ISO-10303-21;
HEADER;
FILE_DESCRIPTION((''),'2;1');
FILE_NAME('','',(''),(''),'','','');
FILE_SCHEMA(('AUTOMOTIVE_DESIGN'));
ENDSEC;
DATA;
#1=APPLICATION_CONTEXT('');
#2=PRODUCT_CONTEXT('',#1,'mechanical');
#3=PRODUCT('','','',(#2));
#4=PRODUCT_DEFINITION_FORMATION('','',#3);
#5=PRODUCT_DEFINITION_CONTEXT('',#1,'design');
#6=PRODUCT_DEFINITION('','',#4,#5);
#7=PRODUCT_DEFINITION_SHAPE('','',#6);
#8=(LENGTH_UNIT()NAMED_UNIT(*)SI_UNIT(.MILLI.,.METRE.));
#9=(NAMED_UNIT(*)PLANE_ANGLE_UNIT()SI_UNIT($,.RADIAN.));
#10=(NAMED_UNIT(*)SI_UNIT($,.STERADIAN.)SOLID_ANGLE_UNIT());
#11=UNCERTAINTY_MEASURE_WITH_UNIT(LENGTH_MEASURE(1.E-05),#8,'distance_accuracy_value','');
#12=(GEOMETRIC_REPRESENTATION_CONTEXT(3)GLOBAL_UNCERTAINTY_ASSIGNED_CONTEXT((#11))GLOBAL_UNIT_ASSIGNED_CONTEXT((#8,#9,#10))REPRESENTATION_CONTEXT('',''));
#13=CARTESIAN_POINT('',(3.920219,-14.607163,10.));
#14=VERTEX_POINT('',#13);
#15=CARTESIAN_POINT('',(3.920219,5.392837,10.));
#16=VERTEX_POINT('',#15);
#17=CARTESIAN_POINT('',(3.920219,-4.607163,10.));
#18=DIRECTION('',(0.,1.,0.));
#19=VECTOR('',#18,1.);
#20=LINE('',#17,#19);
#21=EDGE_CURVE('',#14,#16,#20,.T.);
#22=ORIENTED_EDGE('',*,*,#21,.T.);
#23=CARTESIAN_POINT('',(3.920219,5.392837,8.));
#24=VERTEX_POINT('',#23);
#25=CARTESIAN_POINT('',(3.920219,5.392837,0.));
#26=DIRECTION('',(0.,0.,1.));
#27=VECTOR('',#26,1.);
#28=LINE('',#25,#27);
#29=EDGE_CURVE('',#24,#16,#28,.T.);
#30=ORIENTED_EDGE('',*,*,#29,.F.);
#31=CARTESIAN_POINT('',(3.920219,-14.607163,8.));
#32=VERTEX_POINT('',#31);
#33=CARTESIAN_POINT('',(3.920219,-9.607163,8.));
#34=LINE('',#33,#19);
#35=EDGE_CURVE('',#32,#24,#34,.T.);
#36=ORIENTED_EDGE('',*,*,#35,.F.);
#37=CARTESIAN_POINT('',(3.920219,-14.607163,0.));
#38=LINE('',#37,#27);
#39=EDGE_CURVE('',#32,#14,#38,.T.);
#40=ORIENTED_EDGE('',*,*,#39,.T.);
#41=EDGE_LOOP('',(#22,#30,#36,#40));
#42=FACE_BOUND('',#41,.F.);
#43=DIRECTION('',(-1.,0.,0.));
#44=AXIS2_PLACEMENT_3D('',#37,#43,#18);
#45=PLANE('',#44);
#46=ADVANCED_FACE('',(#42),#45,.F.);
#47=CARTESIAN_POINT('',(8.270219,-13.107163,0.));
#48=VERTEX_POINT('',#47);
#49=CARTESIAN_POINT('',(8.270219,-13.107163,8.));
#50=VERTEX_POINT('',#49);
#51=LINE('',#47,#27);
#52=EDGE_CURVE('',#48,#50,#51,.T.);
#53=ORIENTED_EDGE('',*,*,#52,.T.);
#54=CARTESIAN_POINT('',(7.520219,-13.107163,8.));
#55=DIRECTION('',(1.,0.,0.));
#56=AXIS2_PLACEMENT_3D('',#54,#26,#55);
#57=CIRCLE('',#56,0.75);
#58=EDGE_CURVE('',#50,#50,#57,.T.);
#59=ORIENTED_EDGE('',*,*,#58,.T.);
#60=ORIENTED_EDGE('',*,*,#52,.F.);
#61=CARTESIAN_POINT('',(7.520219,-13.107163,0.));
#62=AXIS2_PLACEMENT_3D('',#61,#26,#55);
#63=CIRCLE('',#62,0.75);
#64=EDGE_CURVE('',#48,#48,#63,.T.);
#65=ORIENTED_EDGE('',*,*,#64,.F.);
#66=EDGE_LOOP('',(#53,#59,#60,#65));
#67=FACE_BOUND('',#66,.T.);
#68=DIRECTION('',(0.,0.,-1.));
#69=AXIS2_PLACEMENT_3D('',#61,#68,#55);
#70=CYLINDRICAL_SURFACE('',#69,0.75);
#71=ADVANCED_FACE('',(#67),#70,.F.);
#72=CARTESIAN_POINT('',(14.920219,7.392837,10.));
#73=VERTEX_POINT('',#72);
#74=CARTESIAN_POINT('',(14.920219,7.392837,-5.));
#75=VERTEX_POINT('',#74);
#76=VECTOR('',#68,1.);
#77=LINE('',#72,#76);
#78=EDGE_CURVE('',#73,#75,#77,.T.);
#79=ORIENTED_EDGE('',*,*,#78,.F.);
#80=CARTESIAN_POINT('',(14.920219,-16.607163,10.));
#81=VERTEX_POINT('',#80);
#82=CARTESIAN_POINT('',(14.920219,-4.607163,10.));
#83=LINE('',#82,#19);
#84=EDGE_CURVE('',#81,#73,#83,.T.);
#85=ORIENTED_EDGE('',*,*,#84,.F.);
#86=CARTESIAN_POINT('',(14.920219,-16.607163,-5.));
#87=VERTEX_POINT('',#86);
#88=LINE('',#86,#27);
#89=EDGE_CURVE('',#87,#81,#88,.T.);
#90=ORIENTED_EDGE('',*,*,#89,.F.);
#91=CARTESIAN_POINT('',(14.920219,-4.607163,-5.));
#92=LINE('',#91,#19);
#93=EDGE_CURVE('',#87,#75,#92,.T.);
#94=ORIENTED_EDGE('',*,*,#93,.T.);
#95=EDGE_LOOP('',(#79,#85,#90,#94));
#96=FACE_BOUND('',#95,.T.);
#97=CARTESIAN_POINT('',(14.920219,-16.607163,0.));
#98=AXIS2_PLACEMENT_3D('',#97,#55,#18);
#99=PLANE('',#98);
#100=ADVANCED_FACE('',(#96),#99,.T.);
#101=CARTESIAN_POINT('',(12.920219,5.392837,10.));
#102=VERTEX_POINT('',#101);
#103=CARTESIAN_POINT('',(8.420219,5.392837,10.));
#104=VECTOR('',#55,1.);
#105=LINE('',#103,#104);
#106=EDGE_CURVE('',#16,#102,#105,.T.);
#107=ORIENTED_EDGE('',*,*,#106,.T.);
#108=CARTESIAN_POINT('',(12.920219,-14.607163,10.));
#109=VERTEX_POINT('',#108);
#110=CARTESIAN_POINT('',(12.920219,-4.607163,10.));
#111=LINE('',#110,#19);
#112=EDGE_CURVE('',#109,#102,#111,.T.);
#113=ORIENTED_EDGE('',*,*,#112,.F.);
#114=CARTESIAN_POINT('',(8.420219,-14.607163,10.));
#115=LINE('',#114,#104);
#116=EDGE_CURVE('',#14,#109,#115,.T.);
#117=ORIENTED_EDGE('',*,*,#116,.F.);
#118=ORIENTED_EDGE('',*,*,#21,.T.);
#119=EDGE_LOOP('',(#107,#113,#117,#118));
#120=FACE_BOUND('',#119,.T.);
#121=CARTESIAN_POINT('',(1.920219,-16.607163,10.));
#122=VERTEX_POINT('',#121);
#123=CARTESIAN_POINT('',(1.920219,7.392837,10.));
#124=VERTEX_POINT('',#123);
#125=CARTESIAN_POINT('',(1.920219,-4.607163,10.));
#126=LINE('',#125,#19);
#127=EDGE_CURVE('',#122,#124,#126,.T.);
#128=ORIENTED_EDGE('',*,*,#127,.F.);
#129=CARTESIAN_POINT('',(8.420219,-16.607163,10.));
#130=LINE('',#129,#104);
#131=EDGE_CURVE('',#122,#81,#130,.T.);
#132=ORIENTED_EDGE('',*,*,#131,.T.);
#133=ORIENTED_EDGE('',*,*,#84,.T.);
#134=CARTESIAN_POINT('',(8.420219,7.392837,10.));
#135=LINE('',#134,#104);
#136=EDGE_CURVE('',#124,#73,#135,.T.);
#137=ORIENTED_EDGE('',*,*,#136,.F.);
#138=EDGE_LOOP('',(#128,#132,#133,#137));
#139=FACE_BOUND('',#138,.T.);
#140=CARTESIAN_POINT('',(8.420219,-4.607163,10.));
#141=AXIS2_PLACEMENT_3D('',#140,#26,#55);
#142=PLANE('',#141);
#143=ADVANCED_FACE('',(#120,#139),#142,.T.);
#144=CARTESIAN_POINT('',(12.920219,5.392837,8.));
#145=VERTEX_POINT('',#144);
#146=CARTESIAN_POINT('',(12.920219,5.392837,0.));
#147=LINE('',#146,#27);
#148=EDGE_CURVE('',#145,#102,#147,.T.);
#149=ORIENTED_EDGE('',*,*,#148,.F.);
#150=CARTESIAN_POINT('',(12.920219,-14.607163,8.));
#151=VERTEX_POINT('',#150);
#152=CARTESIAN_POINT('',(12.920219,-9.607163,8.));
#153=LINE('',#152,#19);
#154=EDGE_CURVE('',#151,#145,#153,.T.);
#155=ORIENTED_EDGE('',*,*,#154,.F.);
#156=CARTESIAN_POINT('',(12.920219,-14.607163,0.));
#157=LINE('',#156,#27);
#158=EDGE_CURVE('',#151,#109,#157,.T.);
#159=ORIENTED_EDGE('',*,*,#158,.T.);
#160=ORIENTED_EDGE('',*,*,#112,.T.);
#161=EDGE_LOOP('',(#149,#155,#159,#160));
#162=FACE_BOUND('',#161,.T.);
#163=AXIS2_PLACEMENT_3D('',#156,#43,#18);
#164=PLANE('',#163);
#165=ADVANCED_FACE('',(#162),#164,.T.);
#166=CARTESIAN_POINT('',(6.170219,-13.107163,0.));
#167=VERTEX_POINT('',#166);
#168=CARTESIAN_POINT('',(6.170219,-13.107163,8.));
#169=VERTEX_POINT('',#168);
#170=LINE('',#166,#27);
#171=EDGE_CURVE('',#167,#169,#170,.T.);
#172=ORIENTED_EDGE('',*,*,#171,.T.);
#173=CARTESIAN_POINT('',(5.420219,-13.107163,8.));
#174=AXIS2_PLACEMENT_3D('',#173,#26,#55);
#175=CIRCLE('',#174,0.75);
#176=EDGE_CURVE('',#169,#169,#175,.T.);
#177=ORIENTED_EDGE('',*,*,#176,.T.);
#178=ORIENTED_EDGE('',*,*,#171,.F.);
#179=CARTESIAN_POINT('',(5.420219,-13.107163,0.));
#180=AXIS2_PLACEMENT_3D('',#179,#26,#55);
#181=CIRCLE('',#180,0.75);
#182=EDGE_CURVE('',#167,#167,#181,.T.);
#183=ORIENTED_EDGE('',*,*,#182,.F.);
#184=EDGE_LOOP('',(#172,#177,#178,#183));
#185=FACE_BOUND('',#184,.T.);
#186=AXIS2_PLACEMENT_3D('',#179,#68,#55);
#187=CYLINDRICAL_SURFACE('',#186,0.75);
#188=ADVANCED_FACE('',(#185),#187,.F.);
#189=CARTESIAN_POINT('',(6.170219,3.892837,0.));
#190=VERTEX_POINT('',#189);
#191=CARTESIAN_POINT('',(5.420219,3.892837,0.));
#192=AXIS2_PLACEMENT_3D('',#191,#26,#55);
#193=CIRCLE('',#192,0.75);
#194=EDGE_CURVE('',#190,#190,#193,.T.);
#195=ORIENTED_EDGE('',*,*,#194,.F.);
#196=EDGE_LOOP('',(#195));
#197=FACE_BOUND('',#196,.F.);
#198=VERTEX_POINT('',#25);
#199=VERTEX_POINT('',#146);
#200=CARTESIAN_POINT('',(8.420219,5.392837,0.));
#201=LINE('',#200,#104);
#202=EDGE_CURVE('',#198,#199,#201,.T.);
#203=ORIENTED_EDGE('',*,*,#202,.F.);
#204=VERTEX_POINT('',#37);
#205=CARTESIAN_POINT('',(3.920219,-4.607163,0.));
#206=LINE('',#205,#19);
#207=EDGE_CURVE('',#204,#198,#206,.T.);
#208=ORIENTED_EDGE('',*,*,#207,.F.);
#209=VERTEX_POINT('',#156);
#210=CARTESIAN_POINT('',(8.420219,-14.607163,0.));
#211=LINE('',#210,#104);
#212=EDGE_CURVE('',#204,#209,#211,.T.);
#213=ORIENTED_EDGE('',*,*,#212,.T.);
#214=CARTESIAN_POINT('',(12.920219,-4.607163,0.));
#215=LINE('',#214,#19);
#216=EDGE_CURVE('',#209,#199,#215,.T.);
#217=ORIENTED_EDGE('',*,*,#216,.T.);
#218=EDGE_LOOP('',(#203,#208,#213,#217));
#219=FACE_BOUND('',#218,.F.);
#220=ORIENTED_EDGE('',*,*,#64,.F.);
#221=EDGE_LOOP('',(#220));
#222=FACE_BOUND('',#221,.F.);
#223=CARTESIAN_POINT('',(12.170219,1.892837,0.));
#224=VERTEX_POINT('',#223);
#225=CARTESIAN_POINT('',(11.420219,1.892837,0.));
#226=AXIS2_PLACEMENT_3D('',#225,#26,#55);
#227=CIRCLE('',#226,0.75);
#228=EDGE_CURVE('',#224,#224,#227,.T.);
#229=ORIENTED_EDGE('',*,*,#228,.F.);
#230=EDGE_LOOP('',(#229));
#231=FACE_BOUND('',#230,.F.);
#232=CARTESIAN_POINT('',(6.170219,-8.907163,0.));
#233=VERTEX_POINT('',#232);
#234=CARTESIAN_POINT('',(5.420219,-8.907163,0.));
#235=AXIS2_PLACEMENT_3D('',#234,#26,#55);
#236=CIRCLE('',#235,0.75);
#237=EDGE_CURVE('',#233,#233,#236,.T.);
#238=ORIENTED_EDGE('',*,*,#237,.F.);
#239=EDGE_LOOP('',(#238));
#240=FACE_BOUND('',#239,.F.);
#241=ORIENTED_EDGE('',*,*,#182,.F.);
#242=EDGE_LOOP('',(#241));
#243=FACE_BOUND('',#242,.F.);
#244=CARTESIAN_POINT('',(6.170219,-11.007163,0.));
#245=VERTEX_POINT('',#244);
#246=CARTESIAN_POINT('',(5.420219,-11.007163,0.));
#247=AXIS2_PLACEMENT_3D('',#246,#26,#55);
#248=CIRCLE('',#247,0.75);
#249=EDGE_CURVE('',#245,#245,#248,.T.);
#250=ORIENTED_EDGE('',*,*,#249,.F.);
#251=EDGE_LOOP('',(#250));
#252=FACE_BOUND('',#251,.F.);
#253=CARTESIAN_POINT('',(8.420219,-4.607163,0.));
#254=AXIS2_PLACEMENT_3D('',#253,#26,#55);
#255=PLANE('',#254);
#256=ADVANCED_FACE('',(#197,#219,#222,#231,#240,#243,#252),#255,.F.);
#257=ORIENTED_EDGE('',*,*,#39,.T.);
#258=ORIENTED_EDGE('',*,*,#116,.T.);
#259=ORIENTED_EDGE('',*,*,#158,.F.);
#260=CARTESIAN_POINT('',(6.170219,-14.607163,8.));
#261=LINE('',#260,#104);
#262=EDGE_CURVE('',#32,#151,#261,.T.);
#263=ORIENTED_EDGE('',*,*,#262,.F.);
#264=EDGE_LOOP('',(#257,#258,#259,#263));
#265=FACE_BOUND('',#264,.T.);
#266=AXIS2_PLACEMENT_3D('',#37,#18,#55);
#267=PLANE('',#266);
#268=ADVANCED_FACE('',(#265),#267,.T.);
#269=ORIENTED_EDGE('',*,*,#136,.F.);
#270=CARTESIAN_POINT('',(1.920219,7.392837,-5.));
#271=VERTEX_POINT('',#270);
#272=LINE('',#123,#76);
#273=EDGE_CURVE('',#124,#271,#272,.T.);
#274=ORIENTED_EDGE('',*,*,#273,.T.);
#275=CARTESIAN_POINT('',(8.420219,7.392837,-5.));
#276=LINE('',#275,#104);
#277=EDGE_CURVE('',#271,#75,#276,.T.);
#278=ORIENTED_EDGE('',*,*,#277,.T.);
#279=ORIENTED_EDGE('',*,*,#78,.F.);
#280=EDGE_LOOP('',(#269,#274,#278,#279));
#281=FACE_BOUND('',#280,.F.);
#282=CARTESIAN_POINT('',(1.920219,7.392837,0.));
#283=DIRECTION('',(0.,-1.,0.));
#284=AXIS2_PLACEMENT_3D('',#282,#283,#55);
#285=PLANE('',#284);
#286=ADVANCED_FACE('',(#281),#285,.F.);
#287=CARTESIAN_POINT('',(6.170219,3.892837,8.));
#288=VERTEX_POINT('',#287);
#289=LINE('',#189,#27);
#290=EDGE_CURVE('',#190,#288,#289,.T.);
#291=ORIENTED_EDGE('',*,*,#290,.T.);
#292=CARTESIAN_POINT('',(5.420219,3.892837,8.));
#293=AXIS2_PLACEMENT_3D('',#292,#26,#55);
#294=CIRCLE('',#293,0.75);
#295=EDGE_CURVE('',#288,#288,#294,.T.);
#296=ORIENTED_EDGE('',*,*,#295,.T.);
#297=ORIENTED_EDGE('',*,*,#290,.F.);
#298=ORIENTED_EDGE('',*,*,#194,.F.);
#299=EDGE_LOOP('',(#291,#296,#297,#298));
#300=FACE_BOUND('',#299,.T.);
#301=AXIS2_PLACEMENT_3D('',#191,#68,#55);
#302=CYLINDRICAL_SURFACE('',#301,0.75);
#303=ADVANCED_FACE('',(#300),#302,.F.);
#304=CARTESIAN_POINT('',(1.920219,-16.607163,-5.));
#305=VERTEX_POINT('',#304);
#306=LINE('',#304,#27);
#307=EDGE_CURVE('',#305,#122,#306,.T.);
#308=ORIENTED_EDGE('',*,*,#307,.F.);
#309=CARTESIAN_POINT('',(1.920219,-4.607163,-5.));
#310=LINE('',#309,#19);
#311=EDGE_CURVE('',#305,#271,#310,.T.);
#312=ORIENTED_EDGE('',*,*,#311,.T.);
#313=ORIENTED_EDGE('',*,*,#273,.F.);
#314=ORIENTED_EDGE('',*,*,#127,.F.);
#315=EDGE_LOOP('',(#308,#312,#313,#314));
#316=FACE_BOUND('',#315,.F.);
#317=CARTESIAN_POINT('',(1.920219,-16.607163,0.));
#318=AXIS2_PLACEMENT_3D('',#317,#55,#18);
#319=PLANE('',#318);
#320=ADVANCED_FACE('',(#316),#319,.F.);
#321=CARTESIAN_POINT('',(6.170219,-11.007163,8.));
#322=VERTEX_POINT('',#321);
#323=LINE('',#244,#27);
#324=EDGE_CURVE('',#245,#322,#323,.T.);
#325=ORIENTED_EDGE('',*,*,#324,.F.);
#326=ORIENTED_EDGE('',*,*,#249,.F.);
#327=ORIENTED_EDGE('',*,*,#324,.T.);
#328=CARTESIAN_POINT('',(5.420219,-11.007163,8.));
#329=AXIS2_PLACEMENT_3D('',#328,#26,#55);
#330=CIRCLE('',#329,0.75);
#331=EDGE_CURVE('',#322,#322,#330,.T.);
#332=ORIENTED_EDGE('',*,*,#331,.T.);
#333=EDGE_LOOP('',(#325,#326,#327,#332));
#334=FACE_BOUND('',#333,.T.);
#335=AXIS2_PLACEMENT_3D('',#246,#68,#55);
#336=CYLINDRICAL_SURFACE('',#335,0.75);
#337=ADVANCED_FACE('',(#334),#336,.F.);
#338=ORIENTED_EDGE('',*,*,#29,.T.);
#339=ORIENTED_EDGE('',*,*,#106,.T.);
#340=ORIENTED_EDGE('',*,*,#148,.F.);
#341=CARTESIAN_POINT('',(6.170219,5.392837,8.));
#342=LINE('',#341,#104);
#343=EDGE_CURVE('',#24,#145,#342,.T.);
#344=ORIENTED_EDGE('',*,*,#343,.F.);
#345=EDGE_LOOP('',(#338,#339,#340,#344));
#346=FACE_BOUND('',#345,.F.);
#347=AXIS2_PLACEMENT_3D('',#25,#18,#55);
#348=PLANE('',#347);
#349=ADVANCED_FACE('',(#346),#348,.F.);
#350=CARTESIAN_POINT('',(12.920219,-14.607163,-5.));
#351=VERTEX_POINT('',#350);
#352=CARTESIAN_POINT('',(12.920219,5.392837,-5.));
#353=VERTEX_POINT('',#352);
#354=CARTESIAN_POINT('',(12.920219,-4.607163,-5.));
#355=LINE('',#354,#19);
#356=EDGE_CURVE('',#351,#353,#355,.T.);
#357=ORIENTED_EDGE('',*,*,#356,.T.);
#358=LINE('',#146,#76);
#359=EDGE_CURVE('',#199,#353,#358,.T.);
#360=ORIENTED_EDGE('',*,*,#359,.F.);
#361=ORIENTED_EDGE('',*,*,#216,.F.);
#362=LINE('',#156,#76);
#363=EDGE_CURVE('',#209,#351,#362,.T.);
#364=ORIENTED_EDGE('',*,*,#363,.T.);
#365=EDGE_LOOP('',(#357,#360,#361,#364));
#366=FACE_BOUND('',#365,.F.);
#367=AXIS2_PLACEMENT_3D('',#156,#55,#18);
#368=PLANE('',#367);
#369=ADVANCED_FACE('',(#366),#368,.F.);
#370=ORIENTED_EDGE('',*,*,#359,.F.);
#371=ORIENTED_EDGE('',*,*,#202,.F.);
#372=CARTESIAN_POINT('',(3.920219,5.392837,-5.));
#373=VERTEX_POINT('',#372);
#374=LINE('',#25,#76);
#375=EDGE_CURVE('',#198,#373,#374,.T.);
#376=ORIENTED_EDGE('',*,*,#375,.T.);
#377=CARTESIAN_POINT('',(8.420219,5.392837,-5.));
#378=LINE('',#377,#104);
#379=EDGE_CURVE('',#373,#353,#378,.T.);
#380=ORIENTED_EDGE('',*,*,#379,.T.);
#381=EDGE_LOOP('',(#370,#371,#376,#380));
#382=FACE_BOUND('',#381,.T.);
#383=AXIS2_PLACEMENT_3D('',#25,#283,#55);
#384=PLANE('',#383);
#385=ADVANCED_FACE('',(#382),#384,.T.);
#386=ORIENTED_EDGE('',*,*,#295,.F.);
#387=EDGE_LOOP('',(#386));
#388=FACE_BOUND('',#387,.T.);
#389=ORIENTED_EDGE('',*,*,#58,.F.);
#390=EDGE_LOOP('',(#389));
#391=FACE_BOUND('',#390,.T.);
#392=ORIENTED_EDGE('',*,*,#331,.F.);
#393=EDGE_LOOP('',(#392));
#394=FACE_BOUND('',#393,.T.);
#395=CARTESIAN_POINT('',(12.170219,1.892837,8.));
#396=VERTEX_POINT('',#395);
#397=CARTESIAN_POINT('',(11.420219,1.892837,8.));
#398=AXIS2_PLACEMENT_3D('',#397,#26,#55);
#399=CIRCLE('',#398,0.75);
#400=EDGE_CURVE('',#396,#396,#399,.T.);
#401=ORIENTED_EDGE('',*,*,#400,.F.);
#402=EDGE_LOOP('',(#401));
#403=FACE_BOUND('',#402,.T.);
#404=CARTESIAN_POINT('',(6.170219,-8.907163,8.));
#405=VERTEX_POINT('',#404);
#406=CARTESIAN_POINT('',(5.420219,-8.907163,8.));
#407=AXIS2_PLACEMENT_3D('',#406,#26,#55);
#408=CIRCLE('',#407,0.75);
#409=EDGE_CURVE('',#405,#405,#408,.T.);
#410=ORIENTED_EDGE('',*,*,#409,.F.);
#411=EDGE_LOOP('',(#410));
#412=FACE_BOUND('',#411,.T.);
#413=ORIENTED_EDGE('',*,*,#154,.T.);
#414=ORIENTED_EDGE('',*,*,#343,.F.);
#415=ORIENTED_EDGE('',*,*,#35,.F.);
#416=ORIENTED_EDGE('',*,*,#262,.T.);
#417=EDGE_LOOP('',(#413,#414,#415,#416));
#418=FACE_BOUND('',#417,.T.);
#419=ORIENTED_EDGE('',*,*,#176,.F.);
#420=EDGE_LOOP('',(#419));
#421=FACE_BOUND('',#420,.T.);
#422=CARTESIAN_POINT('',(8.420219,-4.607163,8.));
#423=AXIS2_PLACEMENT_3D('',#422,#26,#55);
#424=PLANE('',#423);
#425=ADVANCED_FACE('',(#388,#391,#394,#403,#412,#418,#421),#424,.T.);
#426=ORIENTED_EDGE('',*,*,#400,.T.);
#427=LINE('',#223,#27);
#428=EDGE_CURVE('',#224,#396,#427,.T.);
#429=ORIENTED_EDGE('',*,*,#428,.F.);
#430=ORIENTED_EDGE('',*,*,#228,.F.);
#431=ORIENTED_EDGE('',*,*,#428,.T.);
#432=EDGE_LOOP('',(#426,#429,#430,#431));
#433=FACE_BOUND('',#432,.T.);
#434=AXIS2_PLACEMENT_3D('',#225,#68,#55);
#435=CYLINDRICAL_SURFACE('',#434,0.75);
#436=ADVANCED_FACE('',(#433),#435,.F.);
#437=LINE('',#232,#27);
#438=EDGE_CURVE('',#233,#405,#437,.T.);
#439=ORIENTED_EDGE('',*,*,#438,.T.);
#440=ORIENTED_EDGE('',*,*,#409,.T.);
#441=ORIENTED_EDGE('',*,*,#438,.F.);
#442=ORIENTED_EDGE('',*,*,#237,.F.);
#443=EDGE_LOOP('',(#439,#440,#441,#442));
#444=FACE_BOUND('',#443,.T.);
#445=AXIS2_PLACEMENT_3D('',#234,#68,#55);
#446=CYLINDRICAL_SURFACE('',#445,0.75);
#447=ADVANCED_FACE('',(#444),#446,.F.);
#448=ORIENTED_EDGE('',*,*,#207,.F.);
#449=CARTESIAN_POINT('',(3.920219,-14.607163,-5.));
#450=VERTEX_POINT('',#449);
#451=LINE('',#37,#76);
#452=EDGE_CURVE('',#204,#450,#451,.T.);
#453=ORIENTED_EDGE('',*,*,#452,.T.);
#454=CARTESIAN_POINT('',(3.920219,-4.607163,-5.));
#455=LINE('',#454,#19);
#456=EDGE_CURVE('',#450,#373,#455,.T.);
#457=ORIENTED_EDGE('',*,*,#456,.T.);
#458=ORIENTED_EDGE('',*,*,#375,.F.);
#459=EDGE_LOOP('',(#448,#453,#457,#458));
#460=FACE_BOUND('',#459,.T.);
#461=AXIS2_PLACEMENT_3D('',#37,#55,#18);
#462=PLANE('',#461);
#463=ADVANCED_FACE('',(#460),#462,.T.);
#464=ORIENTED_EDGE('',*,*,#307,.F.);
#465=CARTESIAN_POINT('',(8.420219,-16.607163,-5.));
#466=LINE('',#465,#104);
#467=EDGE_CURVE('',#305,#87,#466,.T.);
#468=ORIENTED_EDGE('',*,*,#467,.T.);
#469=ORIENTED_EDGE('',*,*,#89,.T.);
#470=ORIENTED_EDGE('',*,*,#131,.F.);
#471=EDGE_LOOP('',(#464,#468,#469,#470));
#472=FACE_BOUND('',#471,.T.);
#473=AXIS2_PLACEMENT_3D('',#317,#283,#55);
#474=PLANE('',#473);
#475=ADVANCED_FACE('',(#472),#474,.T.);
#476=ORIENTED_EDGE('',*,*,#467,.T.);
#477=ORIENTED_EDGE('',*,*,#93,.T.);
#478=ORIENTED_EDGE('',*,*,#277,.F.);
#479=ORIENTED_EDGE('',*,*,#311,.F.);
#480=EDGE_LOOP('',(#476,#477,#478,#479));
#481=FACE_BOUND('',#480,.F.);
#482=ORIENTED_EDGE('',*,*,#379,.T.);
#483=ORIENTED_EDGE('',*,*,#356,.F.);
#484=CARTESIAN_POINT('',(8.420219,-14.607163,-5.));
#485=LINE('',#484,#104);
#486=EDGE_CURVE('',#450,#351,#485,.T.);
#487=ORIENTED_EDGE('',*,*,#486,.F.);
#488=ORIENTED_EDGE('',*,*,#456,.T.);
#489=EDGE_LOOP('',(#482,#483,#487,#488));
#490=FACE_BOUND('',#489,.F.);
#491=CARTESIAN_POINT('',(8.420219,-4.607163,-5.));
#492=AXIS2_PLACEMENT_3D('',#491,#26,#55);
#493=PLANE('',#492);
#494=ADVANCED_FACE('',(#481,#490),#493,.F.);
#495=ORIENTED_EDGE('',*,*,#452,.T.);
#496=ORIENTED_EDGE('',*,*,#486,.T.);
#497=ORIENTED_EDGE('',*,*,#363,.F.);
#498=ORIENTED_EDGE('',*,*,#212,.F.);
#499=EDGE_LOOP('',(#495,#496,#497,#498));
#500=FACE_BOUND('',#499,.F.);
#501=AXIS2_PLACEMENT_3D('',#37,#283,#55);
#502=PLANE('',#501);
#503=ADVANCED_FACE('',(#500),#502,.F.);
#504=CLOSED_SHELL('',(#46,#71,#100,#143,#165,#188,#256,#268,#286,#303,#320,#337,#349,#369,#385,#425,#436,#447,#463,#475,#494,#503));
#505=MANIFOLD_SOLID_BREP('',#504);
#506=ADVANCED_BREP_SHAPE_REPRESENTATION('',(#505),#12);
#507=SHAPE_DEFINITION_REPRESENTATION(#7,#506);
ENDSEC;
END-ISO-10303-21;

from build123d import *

# Parameters (mm, degrees)
F0_W     = 13
F0_H     = 24
F0_W_2   = 9
F0_H_2   = 20
F1_DEPTH = 10
F0_R     = 0.75
F2_DEPTH = 8
F3_DEPTH = 5


with BuildPart() as f1:
    # F0 (on Top) → F1 (new body)
    with BuildSketch(Plane.XY):
        with Locations((8.4202193944, -4.6071633101)):
            Rectangle(F0_W, F0_H)
        with Locations((8.4202193944, -4.6071633101)):
            Rectangle(F0_W_2, F0_H_2, mode=Mode.SUBTRACT)
    extrude(amount=F1_DEPTH)

    # F0 (on Top) → F2 (join)
    with BuildSketch(Plane.XY):
        with Locations((8.4202193944, -4.6071633101)):
            Rectangle(F0_W, F0_H)
        with Locations((8.4202193944, -4.6071633101)):
            Rectangle(F0_W_2, F0_H_2, mode=Mode.SUBTRACT)
        with Locations((8.4202193944, -4.6071633101)):
            Rectangle(F0_W_2, F0_H_2)
        with Locations((5.4202193944, -13.1071633101)):
            Circle(F0_R, mode=Mode.SUBTRACT)
        with Locations((5.4202193944, -11.0071633101)):
            Circle(F0_R, mode=Mode.SUBTRACT)
        with Locations((7.5202193944, -13.1071633101)):
            Circle(F0_R, mode=Mode.SUBTRACT)
        with Locations((5.4202193944, -8.9071633101)):
            Circle(F0_R, mode=Mode.SUBTRACT)
        with Locations((5.4202193944, 3.8928366899)):
            Circle(F0_R, mode=Mode.SUBTRACT)
        with Locations((11.4202193944, 1.8928366899)):
            Circle(F0_R, mode=Mode.SUBTRACT)
    extrude(amount=F2_DEPTH)

    # F0 (on Top) → F3 (join)
    with BuildSketch(Plane.XY):
        with Locations((8.4202193944, -4.6071633101)):
            Rectangle(F0_W, F0_H)
        with Locations((8.4202193944, -4.6071633101)):
            Rectangle(F0_W_2, F0_H_2, mode=Mode.SUBTRACT)
    extrude(amount=-F3_DEPTH)


solid = f1.part
